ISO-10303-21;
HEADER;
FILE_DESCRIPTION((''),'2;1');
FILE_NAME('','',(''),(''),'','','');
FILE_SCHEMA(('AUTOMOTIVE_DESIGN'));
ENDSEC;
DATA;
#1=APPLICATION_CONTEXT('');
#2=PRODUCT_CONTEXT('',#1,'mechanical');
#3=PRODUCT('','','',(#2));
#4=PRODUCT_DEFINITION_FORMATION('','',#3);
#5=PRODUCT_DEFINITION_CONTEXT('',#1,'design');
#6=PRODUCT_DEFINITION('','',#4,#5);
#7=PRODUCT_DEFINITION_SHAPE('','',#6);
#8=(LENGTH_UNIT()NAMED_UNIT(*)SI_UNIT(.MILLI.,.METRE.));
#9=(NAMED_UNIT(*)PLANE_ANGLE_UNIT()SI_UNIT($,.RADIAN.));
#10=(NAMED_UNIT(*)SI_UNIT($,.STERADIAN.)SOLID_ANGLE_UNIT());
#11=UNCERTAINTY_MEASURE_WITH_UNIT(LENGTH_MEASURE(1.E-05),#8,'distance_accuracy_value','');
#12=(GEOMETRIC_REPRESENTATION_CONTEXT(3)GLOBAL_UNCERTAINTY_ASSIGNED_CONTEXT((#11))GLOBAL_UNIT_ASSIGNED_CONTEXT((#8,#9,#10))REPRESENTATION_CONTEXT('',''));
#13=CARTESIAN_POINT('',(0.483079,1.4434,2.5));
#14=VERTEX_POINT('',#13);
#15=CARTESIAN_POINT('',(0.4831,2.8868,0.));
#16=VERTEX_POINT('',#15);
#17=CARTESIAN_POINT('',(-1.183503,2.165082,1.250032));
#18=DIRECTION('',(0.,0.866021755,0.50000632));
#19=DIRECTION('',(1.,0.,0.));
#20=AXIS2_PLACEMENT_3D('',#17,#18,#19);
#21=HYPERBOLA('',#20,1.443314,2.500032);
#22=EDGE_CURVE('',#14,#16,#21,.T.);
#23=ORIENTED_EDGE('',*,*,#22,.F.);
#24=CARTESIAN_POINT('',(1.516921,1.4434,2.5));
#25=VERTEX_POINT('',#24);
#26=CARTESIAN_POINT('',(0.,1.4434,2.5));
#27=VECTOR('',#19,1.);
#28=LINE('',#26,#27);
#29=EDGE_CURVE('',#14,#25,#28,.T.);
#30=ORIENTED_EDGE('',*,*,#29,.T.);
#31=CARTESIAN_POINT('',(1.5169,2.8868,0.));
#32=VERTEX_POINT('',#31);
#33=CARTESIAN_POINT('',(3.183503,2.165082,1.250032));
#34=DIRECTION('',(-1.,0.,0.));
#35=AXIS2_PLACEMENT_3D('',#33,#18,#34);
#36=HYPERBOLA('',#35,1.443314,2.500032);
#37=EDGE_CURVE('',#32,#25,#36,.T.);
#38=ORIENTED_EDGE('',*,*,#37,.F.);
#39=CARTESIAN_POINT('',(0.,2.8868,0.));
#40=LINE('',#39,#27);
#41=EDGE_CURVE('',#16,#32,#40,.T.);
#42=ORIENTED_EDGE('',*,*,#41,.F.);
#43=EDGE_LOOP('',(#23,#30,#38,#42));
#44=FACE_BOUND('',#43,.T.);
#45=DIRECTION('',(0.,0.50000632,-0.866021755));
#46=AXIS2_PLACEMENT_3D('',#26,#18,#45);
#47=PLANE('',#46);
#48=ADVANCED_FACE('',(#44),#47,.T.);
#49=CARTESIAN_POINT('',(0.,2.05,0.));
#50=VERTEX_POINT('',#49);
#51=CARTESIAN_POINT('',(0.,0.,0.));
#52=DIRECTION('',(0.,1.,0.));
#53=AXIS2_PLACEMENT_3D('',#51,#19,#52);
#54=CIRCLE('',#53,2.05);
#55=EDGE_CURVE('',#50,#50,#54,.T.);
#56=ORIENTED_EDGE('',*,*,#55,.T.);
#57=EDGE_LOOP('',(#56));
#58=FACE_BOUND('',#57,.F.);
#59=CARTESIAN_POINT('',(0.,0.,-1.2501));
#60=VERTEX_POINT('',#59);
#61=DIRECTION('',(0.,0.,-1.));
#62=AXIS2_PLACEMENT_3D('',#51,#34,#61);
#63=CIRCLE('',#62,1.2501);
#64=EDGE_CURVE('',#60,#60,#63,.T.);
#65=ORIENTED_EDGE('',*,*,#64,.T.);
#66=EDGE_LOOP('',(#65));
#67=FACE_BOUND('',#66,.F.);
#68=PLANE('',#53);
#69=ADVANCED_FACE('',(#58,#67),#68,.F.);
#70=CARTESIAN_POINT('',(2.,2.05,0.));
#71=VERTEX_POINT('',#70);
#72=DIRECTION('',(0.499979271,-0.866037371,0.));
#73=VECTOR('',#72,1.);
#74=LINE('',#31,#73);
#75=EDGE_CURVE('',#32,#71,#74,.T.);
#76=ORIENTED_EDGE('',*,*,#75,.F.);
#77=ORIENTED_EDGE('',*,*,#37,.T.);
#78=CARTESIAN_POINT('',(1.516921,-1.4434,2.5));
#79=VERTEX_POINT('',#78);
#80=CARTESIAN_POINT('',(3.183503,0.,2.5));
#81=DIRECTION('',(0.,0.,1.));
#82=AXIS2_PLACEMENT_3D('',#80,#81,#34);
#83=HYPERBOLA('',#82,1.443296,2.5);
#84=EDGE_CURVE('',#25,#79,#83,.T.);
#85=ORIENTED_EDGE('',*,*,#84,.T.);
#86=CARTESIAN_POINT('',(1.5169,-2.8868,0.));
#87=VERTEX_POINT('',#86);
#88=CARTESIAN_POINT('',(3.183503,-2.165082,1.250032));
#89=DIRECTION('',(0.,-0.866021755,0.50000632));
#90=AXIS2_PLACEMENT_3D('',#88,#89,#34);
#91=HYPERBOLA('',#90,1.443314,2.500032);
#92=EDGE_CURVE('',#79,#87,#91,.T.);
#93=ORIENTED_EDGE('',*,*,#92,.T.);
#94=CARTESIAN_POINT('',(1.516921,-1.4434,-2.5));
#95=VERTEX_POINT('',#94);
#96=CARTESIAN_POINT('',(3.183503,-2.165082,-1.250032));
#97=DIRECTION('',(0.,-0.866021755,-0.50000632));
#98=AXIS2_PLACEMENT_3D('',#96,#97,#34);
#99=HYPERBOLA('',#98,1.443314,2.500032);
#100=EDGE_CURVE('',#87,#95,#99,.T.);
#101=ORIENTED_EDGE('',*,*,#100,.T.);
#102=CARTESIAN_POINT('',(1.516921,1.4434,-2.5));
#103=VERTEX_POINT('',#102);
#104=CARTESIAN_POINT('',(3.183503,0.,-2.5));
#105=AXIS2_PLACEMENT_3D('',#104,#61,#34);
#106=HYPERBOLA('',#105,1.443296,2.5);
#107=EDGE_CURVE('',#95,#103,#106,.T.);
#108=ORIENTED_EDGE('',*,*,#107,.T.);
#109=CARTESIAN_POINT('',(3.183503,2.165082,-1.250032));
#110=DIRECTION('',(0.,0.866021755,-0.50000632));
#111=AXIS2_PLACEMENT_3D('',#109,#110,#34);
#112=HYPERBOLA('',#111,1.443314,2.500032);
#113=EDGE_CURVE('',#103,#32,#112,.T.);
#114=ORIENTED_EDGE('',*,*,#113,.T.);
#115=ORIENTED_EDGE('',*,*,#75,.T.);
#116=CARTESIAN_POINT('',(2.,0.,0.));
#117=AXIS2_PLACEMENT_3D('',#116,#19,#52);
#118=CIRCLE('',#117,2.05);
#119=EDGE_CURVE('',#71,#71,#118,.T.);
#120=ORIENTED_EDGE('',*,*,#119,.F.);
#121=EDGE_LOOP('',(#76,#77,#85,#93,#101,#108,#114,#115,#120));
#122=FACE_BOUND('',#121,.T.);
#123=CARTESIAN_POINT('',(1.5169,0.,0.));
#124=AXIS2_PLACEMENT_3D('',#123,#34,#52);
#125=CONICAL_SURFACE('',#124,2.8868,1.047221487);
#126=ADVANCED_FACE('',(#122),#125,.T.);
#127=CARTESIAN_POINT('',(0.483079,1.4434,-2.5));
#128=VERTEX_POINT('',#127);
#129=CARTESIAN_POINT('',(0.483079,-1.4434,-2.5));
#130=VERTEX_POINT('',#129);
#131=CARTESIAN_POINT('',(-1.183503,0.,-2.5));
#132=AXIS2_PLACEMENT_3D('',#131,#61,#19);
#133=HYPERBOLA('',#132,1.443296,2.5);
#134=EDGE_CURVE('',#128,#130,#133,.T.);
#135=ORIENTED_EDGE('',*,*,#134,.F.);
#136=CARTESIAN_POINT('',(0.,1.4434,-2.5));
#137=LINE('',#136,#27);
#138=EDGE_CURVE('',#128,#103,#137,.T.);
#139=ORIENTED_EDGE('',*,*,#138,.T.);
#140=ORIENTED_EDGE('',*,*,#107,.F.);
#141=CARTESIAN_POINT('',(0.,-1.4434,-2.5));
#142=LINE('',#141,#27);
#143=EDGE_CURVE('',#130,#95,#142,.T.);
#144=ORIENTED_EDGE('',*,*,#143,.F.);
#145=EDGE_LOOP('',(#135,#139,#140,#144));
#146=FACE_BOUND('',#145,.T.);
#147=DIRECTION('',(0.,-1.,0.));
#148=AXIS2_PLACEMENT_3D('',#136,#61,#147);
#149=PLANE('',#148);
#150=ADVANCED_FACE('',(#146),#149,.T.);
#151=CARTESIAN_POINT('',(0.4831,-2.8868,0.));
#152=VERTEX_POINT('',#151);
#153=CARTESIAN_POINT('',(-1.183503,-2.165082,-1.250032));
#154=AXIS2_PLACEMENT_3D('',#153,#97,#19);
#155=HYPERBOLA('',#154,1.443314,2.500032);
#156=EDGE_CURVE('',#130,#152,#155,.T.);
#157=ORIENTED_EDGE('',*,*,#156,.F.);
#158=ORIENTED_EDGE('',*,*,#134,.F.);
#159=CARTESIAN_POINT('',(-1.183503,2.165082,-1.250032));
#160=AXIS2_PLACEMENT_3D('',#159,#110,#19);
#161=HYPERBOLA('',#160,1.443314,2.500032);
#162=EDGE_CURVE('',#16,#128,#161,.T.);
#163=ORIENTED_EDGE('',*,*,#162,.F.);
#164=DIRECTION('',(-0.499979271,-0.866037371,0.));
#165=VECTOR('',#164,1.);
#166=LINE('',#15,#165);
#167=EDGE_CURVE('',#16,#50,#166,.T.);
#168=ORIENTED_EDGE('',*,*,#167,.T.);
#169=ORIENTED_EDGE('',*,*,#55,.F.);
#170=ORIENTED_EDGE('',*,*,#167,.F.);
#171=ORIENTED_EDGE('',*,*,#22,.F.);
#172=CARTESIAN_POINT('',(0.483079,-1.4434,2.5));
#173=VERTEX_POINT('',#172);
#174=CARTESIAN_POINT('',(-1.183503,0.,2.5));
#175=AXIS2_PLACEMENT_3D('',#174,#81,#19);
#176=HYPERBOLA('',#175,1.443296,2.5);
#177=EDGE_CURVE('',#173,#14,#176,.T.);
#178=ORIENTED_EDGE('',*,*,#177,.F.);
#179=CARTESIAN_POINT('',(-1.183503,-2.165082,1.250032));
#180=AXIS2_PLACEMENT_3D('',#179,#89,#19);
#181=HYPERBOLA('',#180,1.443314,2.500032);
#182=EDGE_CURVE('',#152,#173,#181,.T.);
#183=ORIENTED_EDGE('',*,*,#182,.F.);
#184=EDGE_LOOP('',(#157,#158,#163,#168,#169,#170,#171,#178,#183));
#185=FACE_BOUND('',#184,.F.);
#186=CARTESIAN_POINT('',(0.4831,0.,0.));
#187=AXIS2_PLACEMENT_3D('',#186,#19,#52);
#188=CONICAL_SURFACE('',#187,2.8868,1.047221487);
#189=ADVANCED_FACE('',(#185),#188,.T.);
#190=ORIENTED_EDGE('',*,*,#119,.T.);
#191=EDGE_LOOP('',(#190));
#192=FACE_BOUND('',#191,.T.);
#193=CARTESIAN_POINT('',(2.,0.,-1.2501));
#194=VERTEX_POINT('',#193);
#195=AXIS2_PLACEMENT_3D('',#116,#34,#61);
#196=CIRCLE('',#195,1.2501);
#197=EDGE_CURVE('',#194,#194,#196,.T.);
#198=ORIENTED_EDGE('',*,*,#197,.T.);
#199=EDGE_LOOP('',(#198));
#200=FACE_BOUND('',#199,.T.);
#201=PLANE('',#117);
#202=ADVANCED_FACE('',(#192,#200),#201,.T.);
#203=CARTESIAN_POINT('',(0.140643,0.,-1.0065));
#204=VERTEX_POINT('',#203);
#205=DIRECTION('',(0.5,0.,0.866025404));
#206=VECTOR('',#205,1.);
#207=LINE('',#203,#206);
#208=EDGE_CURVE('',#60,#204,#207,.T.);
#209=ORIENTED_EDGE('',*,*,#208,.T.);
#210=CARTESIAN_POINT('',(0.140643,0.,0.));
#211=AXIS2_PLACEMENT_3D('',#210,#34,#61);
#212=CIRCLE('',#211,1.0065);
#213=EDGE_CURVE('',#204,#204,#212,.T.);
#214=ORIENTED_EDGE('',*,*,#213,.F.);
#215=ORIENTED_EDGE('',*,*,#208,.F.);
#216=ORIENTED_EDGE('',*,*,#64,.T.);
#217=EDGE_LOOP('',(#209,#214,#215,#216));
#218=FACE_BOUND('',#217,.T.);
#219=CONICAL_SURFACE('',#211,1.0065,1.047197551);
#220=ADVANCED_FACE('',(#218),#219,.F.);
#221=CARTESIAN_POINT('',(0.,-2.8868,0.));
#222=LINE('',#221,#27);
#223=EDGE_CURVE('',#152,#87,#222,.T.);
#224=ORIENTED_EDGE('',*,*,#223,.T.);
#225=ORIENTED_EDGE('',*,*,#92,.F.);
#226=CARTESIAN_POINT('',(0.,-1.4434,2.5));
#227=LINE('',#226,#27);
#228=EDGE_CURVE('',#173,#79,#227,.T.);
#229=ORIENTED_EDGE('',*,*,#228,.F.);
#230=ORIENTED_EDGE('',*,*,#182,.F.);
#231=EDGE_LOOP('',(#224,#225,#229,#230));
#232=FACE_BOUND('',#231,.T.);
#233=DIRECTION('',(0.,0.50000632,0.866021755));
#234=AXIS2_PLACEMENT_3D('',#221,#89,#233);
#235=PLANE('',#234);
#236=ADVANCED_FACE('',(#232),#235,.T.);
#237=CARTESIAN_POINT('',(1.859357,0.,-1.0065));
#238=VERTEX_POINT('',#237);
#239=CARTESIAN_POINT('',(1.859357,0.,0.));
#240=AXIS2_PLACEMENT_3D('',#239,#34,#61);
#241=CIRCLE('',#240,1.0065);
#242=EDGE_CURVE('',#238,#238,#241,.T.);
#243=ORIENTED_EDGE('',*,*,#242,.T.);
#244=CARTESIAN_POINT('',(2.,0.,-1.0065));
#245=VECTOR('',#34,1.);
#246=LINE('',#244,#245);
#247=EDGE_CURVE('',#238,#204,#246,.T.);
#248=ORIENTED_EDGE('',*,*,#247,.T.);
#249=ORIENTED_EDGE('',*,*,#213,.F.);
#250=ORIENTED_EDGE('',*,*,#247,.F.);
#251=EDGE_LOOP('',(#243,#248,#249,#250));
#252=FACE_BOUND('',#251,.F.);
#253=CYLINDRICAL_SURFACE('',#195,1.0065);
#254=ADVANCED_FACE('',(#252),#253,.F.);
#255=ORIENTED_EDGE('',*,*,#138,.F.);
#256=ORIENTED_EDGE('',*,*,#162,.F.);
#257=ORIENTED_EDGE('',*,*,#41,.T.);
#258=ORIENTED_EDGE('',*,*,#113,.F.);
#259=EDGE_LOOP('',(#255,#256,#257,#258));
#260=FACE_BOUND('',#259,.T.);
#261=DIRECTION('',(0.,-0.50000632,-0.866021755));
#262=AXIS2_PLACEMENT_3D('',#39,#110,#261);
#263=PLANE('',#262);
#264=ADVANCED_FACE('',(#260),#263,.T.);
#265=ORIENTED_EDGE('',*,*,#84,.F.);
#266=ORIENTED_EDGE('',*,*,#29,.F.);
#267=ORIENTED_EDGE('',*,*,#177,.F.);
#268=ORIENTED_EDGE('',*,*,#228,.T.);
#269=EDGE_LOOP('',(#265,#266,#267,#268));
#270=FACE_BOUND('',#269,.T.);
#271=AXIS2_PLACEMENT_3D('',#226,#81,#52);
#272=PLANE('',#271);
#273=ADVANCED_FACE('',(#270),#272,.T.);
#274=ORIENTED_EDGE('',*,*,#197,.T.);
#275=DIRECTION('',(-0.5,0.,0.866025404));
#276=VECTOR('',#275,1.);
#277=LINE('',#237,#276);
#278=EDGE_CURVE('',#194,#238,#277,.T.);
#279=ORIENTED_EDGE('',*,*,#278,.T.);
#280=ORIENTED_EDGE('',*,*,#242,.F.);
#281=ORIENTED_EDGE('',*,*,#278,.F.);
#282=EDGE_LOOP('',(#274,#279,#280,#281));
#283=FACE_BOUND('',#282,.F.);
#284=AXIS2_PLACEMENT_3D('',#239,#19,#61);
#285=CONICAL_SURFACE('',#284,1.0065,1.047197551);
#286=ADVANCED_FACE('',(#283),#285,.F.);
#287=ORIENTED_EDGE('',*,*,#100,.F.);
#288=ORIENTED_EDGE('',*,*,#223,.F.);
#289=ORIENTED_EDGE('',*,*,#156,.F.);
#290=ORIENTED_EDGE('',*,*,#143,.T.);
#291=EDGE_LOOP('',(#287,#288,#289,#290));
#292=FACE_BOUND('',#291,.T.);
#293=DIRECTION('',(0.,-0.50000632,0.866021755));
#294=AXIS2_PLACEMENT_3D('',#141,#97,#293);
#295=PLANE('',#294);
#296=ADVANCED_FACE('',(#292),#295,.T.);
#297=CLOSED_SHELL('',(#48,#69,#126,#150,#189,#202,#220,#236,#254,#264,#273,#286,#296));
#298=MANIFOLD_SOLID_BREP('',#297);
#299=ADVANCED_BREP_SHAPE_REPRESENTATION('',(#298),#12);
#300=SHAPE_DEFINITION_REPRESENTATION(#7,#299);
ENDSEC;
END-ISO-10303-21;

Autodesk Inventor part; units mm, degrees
ref_plane "YZ Plane" through (0, 0, 0) normal (1, 0, 0) x (0, 1, 0)
ref_plane "XZ Plane" through (0, 0, 0) normal (0, 1, 0) x (-1, 0, 0)
sketch "Szkic1" plane through (0, 0, 0) normal (1, 0, 0) x (0, 1, 0)
  line L0 (-2.8868, 0) -> (-1.4434, 2.5)
  line L1 (-1.4434, 2.5) -> (1.4434, 2.5)
  line L2 (1.4434, 2.5) -> (2.8868, 0)
  line L3 (2.8868, 0) -> (1.4434, -2.5)
  line L4 (1.4434, -2.5) -> (-1.4434, -2.5)
  line L5 (-1.4434, -2.5) -> (-2.8868, 0)
  point P0 (0, 0)
  point P1 (0, 0)
  dimension "d0" = 5.7735
extrude "Bryła" add sketch "Szkic1" along normal blind 2
sketch "Szkic2" plane through (0, 0, 0) normal (0, 0, 1) x (1, 0, 0)
  line L0 (0, 1.4434) -> (0, 2.8868) projected
  line L1 (0, 2.8868) -> (2, 2.8868) projected
  line L2 (2, 1.4434) -> (2, 2.8868) projected
  line L3 (-0.4, 0) -> (2.4, 0) projected
  line L4 (0.4831, 2.8868) -> (0, 2.05)
  line L5 (1.5169, 2.8868) -> (2, 2.05)
  dimension "d3" = 30
  dimension "d4" = 30
  dimension "d5" = 4.1
  dimension "d6" = 4.1
revolve "Faza1" cut sketch "Szkic2" angle 360 about axis through (-10, 0, 0) along (1, 0, 0)
sketch "Szkic3" plane through (2, 0, 0) normal (1, 0, 0) x (0, 0, -1)
  arc A0 (-0.625, -1.0825) -> (0.625, -1.0825) centre (0, 0) ccw projected
hole "Gwint" at (2, 0, 0) direction (-1, 0, 0) diameter 2.013 end through all thread size "M2.5x0.45" class "6H" standard "ISO Metric profile"
chamfer "Faza2" distance 0.2436 angle 30 1 edges at (2, 0, 1.0065) measured on face at (2, 1.6799, -0.204)
chamfer "Faza3" distance 0.2436 angle 30 1 edges at (0, 0, 1.0065) measured on face at (0, 1.6799, -0.204)
ref_plane "Work Plane1" through (-5.8951, 0, 0) normal (0, -0.866, -0.5) x (1, 0, 0)
equation "\"d0\" = 1.1547 * SW"
equation "\"d1\" = KOH"
equation "\"d3\" = ANG1"
equation "\"d4\" = ANG2"
equation "\"d5\" = SW0"
equation "\"d6\" = SW01"
equation "\"d8\" = -0.5 * GD1 + 0.5 * NND"
equation "\"d40\" = -0.5 * GD1 + 0.5 * NND"
equation "\"d10\" = -0.5 * GD1 + 0.5 * NND"
equation "\"d41\" = -0.5 * GD1 + 0.5 * NND"
equation "\"ANG1\" = 30deg"
equation "\"ANG2\" = 30deg"
equation "\"NND\" = 2.5"
equation "\"KOH\" = 2"
equation "\"SW\" = 5"
equation "\"SW0\" = SW01"
equation "\"SW01\" = 4.1"
equation "\"GUL\" = 0.541266 * PTC"
equation "\"THREADDIA\" = 2.5"
equation "\"TOA\" = 30deg"
equation "\"PTC\" = 0.45"
equation "\"E0\" = 1.155 * SW"
equation "\"GAL\" = 0.541266 * PTC"
equation "\"GD1\" = 2.012861"
properties part number "DIN 934 - M2,5" material "Stal, miękka"
